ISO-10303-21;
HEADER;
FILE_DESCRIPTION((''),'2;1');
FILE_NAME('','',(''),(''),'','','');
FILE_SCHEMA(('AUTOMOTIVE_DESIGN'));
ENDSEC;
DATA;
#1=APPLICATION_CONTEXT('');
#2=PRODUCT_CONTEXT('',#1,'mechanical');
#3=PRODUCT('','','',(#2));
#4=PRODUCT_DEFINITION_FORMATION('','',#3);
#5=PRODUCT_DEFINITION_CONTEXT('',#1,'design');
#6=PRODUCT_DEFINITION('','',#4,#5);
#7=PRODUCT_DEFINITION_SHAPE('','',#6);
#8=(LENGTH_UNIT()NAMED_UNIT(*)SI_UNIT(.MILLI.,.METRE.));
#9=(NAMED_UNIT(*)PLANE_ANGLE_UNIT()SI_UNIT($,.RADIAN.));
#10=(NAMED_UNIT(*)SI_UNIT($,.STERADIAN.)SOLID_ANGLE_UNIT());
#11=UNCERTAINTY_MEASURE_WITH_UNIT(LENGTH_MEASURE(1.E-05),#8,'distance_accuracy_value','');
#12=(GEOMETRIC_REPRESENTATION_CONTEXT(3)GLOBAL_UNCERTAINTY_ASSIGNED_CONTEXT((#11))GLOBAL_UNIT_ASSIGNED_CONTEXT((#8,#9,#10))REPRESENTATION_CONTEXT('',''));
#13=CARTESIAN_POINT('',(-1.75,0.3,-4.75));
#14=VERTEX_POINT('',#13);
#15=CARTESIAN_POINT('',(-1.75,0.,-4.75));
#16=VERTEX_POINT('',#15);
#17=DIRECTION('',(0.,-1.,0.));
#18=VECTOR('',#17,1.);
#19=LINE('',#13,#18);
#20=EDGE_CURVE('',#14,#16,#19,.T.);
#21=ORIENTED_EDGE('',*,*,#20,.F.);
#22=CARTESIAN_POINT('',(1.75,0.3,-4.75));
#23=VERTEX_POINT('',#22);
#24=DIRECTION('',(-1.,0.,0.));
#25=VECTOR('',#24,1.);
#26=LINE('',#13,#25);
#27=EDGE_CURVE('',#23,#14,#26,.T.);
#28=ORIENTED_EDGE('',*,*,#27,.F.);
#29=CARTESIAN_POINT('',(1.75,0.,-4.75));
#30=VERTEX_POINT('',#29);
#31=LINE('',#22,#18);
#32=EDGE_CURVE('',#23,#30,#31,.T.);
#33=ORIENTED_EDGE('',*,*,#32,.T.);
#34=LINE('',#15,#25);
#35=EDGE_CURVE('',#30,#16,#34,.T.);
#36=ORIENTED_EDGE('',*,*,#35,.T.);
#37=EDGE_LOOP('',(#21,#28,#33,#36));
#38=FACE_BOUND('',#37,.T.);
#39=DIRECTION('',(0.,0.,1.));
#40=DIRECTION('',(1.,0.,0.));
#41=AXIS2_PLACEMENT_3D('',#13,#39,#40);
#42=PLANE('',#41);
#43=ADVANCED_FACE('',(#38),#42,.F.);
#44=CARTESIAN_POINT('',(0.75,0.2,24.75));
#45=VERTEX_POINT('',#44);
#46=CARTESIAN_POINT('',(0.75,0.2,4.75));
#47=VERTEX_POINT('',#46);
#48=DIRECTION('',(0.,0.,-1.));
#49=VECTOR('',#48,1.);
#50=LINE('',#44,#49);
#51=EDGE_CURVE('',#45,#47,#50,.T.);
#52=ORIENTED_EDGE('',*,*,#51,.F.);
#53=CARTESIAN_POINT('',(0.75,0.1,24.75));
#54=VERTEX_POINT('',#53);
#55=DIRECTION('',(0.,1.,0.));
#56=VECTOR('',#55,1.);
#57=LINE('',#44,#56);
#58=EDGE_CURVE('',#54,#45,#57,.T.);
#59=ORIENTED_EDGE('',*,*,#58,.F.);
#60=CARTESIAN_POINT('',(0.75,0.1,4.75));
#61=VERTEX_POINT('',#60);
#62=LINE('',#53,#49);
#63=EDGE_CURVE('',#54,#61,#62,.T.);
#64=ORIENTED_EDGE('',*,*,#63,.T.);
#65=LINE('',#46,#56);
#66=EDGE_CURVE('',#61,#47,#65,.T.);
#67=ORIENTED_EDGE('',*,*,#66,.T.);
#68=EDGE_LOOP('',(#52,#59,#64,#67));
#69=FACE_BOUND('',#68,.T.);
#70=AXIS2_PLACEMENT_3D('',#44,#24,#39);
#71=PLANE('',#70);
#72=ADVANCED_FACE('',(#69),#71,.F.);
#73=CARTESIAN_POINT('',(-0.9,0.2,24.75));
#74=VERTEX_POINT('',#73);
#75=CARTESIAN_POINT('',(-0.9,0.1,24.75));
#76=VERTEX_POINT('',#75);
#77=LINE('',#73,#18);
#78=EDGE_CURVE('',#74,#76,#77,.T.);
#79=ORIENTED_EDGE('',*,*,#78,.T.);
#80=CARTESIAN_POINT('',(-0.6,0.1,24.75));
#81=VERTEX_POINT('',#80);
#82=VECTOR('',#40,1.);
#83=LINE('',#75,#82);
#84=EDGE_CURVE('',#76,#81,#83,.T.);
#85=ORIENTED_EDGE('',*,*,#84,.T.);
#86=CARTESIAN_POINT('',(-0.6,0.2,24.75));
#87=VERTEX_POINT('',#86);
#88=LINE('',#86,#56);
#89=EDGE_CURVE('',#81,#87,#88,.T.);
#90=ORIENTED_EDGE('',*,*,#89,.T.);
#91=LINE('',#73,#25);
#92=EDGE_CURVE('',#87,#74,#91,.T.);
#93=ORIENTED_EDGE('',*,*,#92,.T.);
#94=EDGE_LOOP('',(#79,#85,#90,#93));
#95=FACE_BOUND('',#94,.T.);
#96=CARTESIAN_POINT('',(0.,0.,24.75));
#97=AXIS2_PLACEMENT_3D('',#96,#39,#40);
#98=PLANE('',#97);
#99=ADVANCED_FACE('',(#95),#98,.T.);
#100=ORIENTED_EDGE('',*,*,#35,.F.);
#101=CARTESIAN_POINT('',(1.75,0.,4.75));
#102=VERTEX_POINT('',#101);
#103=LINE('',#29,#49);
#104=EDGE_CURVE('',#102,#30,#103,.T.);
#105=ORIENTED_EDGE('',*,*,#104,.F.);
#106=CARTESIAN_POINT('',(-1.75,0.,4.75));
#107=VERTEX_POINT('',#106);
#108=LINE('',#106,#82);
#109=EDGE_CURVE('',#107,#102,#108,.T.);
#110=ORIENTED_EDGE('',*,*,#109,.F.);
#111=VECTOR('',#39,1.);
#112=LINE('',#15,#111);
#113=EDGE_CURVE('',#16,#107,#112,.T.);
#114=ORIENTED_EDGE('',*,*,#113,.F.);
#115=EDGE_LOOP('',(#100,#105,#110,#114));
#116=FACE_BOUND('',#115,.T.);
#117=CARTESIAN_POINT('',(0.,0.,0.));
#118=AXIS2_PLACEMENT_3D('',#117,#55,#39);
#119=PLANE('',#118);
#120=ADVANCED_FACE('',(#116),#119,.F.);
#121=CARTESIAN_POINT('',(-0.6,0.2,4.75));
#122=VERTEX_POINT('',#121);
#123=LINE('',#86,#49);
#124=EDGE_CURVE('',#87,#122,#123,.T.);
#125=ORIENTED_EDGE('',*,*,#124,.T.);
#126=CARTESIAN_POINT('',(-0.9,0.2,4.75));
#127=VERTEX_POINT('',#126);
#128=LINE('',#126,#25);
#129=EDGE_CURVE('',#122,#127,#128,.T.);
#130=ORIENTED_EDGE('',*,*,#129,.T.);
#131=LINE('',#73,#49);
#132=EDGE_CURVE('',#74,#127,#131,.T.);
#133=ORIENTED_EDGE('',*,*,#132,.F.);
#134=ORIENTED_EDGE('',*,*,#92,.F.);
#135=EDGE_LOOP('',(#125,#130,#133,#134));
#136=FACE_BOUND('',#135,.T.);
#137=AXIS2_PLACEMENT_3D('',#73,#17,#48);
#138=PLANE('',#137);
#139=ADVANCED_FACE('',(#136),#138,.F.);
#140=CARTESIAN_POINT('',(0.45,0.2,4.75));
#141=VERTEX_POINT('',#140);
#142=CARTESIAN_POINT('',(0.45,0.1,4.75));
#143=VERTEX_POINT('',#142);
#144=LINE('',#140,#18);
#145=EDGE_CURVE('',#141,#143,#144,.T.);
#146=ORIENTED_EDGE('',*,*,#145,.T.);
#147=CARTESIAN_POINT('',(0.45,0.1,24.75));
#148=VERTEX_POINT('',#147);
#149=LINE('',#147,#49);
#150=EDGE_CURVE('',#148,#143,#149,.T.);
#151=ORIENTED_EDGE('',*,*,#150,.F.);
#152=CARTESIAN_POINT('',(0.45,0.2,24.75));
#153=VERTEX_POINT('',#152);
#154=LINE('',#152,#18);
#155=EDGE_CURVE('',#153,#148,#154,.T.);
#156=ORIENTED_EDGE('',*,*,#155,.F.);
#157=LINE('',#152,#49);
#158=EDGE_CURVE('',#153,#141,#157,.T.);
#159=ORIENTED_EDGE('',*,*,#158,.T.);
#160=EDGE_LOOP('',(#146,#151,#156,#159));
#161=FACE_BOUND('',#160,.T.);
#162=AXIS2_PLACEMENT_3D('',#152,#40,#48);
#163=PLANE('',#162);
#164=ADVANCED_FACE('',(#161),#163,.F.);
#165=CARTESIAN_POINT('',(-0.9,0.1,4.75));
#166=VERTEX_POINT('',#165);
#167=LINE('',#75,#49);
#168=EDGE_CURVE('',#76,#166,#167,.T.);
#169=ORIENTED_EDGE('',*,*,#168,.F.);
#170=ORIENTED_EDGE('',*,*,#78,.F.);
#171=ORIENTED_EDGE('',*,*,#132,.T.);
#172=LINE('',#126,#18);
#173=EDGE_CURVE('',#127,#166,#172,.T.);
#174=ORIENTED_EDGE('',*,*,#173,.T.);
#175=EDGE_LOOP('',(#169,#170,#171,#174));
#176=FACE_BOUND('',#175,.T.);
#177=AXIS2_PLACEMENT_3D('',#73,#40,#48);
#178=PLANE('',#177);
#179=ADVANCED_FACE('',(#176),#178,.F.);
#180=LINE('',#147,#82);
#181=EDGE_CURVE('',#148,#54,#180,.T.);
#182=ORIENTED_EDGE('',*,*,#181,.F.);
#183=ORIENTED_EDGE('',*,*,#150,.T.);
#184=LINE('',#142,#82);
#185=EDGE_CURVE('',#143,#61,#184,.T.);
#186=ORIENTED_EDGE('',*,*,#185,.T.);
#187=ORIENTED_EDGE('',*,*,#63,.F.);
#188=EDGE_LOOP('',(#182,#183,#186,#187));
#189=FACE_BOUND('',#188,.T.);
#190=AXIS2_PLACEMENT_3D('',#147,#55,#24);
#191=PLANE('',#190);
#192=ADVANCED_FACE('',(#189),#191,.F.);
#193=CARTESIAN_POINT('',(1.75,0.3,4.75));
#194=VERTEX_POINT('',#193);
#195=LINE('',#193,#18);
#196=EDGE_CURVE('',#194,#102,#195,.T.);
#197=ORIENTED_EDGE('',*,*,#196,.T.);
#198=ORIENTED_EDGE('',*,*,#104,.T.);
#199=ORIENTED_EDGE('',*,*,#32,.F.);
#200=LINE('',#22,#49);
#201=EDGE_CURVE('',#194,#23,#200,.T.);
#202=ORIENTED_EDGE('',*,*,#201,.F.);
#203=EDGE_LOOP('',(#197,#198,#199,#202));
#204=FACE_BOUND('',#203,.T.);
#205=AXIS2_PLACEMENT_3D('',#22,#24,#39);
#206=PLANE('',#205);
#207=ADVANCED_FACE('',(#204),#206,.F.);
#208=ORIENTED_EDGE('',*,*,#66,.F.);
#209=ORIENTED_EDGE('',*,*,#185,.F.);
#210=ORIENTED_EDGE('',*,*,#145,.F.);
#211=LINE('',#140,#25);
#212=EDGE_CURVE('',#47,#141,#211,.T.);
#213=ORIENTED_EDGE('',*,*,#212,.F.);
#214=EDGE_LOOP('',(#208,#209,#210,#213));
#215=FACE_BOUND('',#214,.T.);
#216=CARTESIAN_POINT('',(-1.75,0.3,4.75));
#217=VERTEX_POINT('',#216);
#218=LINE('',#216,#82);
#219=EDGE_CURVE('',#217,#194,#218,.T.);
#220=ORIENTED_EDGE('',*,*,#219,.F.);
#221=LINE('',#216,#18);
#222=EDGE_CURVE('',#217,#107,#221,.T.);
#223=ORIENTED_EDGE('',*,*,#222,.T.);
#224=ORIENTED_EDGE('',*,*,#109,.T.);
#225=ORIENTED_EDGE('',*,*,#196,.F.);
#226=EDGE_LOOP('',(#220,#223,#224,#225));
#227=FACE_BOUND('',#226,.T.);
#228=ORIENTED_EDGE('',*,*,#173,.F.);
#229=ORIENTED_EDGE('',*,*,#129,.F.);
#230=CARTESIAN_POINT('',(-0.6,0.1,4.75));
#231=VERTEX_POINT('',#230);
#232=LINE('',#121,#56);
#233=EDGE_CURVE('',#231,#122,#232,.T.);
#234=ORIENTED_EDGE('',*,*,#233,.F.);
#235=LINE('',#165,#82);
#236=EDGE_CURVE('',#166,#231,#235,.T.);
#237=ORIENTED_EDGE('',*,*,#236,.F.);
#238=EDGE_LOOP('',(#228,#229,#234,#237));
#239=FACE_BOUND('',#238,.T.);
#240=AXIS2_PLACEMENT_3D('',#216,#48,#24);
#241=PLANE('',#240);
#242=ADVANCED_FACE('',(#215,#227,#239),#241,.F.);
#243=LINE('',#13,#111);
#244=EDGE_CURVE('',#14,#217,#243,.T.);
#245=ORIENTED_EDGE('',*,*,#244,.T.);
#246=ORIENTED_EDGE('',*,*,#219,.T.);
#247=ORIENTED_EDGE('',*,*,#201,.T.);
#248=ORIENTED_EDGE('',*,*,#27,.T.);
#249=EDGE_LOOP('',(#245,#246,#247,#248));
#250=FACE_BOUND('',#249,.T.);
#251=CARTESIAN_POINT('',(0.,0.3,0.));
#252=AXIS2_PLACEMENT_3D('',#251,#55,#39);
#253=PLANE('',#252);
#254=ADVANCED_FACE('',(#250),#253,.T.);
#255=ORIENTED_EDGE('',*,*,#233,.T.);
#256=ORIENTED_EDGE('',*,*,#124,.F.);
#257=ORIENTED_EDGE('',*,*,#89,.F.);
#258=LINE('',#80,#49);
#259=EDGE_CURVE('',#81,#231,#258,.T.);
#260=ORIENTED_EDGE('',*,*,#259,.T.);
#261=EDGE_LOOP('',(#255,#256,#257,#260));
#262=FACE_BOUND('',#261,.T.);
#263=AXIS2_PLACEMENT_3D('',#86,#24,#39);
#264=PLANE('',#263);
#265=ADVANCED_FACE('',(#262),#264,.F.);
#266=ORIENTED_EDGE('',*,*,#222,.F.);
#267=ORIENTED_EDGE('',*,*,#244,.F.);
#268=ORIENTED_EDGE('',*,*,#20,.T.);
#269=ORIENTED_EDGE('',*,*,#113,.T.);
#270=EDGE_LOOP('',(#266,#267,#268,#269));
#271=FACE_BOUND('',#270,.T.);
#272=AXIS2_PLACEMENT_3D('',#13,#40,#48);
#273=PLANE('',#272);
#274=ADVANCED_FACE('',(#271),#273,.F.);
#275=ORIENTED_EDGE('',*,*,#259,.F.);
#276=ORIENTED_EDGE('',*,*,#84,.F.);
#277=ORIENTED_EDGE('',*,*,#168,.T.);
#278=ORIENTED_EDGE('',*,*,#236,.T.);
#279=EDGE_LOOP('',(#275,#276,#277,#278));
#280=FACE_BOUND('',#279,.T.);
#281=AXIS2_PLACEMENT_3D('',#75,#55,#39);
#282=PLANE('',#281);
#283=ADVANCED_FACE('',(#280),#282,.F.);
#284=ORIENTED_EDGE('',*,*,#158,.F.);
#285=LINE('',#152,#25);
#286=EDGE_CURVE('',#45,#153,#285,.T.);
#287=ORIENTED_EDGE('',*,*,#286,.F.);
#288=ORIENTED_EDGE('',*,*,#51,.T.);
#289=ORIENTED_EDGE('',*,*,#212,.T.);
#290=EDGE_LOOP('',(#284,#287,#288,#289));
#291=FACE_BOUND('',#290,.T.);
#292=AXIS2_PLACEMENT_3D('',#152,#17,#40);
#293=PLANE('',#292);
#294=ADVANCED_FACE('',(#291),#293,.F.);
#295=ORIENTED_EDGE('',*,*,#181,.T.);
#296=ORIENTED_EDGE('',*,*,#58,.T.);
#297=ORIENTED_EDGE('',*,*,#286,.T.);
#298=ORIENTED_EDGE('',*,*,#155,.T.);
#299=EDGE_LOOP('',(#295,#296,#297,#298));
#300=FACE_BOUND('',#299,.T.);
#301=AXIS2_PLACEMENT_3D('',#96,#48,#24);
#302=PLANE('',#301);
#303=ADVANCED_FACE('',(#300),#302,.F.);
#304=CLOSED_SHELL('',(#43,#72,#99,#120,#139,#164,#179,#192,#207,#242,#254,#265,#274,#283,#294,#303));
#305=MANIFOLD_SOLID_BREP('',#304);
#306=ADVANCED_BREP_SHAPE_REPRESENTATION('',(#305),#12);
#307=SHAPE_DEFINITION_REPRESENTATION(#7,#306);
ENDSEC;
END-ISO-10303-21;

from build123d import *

# Parameters (mm, degrees)
SKETCH2_W           = 3.5
SKETCH2_H           = 9.5
BOSS_EXTRUDE1_DEPTH = 0.3
SKETCH3_W           = 0.3
SKETCH3_H           = 0.1
BOSS_EXTRUDE2_DEPTH = 20


with BuildPart() as part:
    # Sketch2 → Boss-Extrude1 (new body)
    with BuildSketch(Plane(origin=(0, 0, 0), x_dir=(1, 0, 0), z_dir=(0, 1, 0))):
        Rectangle(SKETCH2_W, SKETCH2_H)
    extrude(amount=BOSS_EXTRUDE1_DEPTH)

    # Sketch3 → Boss-Extrude2 (add)
    with BuildSketch(Plane.XY.offset(4.75)):
        with Locations((-0.75, 0.15)):
            Rectangle(SKETCH3_W, SKETCH3_H)
        with Locations((0.6, 0.15)):
            Rectangle(SKETCH3_W, SKETCH3_H)
    extrude(amount=BOSS_EXTRUDE2_DEPTH)


solid = part.part
